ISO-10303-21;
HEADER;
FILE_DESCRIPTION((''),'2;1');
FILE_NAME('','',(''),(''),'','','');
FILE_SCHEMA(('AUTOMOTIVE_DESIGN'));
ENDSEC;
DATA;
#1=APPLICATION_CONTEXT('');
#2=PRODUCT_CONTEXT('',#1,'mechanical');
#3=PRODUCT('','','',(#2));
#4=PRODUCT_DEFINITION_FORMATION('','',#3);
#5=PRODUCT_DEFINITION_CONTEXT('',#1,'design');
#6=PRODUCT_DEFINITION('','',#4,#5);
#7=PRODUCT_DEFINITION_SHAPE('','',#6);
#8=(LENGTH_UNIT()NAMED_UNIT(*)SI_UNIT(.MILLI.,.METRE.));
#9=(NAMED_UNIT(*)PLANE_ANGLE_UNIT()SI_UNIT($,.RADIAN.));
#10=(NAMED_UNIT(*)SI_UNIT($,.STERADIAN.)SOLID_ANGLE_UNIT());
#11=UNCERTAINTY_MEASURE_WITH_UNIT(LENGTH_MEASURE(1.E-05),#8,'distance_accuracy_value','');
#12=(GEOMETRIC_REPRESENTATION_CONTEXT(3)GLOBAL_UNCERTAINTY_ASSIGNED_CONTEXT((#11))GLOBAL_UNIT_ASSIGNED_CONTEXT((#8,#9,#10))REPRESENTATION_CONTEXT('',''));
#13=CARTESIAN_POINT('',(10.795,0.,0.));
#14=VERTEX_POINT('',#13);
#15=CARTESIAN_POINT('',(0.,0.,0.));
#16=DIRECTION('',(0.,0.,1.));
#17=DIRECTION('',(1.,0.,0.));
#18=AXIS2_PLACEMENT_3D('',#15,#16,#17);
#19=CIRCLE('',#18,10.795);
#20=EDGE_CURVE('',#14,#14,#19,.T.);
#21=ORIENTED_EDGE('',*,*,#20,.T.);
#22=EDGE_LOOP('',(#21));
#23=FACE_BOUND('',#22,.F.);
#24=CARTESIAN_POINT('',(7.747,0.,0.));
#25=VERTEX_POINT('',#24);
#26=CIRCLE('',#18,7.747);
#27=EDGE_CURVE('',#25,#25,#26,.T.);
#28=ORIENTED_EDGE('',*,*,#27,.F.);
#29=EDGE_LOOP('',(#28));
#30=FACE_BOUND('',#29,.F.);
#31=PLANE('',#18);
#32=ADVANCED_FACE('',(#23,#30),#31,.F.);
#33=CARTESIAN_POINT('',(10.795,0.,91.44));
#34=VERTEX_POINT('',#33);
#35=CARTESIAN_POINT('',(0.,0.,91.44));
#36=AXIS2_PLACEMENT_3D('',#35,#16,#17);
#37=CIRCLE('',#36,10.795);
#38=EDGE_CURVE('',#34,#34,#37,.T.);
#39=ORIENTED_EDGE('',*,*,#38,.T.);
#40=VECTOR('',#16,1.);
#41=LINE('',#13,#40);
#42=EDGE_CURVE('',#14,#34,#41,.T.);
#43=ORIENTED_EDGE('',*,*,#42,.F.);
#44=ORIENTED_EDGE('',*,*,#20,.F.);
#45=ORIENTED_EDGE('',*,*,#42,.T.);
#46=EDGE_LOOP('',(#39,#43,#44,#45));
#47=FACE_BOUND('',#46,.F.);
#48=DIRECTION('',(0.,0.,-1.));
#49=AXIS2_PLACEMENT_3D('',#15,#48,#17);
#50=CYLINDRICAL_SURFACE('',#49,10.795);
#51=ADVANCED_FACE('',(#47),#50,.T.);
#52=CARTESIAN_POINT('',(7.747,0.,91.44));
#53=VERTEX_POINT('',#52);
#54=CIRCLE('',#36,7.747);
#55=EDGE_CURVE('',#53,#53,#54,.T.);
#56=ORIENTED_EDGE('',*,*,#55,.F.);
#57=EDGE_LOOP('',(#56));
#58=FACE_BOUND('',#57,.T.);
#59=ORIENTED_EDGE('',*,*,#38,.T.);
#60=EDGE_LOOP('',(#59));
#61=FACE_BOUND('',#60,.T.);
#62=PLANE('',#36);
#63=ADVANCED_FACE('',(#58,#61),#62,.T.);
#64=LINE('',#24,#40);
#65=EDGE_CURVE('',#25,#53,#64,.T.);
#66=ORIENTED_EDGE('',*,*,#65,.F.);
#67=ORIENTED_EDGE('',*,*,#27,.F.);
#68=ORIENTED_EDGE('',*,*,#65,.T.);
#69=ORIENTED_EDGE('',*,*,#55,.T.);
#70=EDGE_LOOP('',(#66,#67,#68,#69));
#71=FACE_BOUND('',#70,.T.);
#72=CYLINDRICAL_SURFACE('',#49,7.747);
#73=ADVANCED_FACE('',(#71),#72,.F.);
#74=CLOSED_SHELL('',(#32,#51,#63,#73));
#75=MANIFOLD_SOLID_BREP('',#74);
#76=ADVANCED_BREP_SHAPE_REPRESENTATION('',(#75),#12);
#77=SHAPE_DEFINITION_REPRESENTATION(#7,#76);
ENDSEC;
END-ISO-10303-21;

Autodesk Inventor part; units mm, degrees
ref_plane "YZ Plane" through (0, 0, 0) normal (1, 0, 0) x (0, 1, 0)
ref_plane "XZ Plane" through (0, 0, 0) normal (0, 1, 0) x (-1, 0, 0)
ref_plane "XY Plane" through (0, 0, 0) normal (0, 0, 1) x (1, 0, 0)
sketch "Sketch1" plane through (0, 0, 0) normal (0, 0, 1) x (1, 0, 0)
  circle A0 centre (0, 0) radius 7.747
  circle A1 centre (0, 0) radius 10.795
  dimension "d0" = 21.59
  dimension "d2" = 15.494
extrude "Extrusion1" add sketch "Sketch1" along normal blind 91.44
properties part number "2 Pipe" material "PVC-Piping"
